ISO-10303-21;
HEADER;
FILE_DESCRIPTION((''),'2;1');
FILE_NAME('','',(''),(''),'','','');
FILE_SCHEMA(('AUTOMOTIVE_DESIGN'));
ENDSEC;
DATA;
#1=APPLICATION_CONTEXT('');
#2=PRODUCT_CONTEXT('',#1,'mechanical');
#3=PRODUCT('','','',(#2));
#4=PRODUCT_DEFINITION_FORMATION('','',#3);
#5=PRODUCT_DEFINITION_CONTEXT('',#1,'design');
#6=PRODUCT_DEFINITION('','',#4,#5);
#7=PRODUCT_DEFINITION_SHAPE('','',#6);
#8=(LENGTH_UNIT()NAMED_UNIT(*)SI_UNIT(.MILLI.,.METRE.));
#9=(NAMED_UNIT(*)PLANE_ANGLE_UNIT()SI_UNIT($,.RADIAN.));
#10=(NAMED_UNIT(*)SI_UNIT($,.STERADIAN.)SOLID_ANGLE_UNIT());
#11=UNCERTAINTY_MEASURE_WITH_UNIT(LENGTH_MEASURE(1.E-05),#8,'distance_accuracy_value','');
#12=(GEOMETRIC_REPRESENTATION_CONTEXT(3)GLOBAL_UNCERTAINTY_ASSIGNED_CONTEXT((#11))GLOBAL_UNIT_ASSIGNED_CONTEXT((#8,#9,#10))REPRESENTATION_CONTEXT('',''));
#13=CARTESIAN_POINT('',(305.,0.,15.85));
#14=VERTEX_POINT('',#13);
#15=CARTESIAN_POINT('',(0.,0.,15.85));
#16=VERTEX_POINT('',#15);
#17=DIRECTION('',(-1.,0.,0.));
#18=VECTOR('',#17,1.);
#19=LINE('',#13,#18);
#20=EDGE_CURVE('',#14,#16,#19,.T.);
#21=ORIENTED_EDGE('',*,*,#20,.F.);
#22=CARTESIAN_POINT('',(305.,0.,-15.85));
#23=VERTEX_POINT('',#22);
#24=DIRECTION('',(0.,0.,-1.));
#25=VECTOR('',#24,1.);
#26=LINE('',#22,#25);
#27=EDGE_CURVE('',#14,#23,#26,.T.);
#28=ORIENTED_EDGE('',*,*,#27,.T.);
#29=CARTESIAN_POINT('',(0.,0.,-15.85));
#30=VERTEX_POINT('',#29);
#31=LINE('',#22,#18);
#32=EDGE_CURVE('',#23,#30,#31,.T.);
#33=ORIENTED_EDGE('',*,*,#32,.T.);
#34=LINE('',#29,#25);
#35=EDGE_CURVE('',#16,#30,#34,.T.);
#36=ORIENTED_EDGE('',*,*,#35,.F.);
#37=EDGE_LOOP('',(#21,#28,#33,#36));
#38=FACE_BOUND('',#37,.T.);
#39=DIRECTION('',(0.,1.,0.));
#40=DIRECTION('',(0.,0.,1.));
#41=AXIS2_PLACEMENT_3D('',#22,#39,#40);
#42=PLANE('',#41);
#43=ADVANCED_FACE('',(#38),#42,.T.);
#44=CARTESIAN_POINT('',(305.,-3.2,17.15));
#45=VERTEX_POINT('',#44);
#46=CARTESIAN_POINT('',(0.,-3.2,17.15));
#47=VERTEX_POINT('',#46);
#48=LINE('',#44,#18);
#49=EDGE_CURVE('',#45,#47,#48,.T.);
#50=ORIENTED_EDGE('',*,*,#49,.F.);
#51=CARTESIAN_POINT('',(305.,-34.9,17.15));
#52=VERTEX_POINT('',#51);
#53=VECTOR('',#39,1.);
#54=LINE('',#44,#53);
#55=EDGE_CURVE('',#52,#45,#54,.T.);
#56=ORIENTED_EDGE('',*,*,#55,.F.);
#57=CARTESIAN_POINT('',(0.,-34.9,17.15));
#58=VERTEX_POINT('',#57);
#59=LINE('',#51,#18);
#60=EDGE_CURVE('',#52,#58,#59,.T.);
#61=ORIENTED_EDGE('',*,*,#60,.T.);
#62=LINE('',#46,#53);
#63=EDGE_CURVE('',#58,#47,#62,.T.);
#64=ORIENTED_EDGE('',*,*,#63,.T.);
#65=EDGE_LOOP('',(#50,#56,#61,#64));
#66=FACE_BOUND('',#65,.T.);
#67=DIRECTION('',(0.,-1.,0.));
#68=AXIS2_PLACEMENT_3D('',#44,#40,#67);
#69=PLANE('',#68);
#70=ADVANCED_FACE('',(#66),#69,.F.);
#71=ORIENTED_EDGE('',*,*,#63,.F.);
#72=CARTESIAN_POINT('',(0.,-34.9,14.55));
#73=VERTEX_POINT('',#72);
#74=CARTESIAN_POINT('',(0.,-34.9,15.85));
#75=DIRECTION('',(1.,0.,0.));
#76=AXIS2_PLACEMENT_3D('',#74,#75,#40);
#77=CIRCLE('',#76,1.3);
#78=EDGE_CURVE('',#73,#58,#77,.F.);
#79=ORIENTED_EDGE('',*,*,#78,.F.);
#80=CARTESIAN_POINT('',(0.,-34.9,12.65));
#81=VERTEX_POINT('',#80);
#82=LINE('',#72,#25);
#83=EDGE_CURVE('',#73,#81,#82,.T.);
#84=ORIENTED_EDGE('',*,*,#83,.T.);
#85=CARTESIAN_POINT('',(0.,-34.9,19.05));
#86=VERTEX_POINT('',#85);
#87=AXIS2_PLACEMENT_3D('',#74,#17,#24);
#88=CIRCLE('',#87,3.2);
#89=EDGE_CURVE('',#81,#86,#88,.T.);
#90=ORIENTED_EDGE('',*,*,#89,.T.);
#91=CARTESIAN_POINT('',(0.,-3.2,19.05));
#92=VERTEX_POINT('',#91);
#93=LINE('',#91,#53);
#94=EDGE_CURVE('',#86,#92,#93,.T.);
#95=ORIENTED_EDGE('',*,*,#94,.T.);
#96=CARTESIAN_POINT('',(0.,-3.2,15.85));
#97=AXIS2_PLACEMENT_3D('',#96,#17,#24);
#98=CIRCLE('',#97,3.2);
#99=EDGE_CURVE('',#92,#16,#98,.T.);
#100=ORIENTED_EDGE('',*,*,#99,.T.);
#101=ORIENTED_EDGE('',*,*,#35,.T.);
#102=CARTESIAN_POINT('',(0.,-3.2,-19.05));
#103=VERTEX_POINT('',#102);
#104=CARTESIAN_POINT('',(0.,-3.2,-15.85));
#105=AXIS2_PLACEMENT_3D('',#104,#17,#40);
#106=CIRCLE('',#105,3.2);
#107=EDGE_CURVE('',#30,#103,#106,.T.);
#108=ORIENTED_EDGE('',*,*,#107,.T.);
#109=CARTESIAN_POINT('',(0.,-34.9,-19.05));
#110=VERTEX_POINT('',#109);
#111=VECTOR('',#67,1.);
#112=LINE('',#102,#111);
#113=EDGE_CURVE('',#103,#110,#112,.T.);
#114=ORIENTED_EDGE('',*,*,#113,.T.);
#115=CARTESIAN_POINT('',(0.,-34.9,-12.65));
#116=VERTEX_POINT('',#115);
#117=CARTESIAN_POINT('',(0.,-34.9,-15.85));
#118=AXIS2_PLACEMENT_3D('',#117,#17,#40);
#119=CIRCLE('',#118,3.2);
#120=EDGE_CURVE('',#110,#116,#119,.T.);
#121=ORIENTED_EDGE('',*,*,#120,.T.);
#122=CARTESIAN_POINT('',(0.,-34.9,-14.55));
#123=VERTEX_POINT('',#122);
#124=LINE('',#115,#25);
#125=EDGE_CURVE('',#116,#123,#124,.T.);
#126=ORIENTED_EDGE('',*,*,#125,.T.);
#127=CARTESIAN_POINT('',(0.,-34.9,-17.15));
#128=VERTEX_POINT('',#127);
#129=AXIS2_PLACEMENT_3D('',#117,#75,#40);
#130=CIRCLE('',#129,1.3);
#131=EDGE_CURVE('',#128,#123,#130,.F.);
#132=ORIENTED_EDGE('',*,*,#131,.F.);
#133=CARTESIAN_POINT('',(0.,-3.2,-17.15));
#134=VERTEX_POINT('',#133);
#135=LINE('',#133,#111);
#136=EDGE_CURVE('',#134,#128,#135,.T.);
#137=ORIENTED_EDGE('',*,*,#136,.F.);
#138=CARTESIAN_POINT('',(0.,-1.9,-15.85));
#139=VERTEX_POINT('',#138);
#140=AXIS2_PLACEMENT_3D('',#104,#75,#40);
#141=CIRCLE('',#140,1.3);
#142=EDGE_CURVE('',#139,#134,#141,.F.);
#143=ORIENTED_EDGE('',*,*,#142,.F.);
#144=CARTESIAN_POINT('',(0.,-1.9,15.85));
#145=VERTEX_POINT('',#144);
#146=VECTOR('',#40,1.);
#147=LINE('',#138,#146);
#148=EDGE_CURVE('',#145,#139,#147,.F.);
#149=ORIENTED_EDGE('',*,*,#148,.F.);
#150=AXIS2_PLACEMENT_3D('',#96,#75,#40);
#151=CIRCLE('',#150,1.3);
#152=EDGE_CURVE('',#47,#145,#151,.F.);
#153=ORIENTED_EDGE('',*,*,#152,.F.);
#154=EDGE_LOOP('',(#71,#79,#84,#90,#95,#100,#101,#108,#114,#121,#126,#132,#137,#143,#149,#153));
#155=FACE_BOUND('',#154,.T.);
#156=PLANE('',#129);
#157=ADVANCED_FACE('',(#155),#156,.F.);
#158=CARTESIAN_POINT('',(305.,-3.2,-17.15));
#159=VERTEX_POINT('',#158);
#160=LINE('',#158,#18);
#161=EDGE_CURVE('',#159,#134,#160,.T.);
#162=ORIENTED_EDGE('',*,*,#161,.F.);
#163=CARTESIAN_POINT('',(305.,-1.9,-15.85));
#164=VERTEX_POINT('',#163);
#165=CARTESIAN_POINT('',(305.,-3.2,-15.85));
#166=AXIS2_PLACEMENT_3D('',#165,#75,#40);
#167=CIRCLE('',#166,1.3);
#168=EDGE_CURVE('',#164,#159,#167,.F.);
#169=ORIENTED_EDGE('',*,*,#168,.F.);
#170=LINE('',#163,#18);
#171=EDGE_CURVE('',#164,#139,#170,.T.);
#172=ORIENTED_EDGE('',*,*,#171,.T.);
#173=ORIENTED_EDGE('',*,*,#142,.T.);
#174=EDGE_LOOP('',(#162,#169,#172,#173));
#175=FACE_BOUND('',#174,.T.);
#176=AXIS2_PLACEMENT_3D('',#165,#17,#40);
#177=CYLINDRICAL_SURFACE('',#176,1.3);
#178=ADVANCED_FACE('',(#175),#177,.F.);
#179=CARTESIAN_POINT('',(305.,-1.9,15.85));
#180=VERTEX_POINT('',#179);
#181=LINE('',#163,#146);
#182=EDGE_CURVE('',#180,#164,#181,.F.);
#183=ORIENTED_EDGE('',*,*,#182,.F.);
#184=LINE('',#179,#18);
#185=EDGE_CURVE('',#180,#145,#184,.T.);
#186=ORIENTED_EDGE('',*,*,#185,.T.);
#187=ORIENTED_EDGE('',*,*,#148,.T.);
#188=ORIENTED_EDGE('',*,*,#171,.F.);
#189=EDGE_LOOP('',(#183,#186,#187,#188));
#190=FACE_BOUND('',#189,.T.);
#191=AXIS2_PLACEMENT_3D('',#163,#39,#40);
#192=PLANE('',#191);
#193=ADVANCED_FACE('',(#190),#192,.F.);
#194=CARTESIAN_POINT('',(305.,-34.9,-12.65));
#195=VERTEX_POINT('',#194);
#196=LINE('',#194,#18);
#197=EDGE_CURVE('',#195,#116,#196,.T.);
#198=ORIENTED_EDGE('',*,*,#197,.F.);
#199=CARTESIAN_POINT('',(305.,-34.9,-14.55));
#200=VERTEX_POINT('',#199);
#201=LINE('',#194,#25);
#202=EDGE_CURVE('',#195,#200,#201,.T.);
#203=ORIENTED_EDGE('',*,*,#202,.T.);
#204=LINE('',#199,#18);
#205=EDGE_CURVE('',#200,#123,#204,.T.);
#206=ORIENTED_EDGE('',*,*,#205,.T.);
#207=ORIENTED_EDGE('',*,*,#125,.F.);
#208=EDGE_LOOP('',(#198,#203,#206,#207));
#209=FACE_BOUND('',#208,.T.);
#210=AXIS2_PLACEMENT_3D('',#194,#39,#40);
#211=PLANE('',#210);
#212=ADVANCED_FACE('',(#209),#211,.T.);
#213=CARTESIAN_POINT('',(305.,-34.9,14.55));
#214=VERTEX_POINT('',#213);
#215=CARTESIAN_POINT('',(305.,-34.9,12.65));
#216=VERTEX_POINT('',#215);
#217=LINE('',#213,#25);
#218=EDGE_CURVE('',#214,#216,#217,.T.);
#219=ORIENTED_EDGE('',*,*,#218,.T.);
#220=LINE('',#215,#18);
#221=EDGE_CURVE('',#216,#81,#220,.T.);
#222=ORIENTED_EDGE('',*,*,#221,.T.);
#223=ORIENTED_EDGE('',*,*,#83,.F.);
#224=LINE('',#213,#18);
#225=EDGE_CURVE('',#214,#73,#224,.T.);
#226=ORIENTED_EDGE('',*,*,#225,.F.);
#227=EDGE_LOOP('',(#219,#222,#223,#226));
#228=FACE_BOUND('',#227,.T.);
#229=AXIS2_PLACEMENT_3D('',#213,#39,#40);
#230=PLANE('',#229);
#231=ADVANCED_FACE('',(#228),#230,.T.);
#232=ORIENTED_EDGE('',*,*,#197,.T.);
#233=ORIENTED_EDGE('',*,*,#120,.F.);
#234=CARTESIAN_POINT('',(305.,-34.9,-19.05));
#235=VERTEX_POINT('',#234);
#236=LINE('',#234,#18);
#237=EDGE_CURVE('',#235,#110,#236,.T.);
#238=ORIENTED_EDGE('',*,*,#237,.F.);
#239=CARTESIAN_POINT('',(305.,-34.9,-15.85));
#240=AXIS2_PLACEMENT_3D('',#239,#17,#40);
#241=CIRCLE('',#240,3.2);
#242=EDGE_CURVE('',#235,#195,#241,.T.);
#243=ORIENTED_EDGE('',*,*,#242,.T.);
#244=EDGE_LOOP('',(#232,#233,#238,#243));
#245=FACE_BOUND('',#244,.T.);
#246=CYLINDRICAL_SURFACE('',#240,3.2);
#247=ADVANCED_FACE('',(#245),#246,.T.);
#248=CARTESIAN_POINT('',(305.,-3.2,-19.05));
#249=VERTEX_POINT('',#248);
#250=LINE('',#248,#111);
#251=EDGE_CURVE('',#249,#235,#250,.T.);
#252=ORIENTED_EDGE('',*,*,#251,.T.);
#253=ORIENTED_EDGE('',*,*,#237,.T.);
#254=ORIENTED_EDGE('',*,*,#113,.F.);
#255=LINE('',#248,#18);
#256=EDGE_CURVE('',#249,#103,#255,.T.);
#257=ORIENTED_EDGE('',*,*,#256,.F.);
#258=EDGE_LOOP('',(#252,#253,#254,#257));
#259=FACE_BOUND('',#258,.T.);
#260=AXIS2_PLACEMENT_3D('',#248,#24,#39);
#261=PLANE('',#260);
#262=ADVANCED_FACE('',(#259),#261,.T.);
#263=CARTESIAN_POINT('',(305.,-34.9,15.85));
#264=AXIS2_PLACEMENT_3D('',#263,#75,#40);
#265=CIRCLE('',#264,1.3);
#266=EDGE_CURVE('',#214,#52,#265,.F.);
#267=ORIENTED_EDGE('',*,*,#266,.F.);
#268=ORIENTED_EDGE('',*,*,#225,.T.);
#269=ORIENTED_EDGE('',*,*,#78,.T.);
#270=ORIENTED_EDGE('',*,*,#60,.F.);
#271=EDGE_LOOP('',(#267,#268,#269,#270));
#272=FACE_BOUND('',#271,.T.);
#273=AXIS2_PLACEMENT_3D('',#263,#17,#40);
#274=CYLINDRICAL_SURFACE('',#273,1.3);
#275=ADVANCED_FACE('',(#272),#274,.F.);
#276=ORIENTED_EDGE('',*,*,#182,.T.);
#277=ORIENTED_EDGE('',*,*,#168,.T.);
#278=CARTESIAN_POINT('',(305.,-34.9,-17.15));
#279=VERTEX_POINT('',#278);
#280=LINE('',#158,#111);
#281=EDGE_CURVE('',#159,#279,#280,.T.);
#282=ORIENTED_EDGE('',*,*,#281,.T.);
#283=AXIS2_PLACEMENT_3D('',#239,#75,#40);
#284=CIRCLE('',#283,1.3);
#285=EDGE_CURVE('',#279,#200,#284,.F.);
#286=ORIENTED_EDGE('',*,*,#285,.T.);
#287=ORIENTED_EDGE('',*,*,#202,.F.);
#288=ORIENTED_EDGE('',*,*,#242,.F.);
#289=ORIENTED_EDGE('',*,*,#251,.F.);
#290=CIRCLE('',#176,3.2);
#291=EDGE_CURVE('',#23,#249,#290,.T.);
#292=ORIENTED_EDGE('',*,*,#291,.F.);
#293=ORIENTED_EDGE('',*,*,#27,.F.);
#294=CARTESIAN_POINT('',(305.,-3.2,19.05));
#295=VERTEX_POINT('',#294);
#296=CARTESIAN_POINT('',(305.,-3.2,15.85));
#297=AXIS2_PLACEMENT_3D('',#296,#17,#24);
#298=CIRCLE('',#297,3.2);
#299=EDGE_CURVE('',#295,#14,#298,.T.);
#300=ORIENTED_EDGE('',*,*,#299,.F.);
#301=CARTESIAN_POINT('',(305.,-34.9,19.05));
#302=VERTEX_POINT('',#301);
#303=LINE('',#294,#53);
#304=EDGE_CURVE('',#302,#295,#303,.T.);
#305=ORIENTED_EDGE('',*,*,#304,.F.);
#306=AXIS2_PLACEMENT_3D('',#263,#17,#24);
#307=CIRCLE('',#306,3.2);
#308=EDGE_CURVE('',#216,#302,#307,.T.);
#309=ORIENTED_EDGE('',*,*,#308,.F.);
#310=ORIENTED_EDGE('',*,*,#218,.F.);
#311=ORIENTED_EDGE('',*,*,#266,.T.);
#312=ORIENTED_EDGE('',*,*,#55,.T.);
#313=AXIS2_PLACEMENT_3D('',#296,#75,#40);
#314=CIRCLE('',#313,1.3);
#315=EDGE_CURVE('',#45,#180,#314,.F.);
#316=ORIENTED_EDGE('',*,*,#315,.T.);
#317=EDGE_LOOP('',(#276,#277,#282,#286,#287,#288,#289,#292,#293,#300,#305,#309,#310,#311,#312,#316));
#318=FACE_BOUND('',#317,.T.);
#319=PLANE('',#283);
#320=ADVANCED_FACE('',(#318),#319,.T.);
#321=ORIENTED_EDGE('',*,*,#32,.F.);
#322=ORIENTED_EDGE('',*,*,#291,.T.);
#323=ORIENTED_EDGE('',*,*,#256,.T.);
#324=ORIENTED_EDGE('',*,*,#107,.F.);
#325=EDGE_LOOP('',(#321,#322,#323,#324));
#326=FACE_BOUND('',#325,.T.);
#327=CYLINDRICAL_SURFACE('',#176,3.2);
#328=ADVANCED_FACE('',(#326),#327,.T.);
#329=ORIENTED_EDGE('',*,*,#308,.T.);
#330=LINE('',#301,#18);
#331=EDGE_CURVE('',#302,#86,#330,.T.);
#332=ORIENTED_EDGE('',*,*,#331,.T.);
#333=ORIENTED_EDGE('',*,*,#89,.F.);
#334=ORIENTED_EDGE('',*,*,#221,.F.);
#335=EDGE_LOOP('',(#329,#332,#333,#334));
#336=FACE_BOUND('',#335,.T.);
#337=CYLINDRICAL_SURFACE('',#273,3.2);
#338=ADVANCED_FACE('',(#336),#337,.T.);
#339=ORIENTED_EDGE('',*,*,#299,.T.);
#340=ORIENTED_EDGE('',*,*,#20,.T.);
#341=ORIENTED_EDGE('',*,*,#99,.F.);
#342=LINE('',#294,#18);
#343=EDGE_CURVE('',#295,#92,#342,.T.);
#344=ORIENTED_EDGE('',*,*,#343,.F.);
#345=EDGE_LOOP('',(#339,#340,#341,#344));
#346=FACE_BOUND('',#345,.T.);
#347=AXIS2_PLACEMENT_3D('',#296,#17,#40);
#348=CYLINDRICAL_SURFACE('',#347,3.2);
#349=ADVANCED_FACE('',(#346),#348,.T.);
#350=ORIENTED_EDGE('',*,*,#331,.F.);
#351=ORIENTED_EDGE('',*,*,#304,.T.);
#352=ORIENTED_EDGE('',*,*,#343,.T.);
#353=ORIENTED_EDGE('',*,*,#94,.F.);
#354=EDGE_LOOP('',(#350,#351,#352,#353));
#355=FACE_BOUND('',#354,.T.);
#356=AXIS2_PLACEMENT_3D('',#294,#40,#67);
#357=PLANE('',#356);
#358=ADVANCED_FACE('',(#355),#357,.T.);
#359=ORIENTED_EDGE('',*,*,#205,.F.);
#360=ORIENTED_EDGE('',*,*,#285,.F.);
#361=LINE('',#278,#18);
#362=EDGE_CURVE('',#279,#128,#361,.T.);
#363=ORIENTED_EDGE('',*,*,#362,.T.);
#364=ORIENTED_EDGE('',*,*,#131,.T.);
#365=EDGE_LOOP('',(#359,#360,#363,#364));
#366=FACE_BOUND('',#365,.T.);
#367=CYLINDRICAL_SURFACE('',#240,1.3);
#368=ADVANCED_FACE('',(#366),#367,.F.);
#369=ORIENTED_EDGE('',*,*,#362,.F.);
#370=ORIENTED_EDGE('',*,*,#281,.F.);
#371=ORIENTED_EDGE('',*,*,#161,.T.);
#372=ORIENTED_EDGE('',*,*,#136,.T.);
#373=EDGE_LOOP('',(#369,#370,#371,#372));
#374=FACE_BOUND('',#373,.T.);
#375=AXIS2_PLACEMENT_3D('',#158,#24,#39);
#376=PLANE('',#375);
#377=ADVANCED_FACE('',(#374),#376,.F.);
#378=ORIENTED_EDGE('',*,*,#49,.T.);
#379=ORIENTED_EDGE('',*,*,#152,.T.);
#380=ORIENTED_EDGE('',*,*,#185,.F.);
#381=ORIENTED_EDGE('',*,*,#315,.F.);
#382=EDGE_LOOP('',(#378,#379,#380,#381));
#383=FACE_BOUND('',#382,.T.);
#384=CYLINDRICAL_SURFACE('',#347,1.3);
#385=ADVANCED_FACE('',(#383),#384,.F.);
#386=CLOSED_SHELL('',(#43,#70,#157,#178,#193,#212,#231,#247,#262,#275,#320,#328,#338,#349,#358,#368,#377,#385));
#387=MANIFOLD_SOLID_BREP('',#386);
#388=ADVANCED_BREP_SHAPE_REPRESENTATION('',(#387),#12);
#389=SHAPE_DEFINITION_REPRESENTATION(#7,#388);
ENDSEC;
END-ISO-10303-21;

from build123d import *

# Parameters (mm, degrees)
CHANNEL_DEPTH = 305


with BuildPart() as part:
    # Sketch1 → Channel (new body)
    with BuildSketch(Plane(origin=(0, 39.243400922, 0), x_dir=(0, 0, 1), z_dir=(1, 0, 0))):
        with BuildLine():
            ThreePointArc((-12.65, 74.143400922), (-15.85, 77.343400922), (-19.05, 74.143400922))
            Line((-19.05, 74.143400922), (-19.05, 42.443400922))
            ThreePointArc((-19.05, 42.443400922), (-18.1127417, 40.180659222), (-15.85, 39.243400922))
            Line((-15.85, 39.243400922), (15.85, 39.243400922))
            ThreePointArc((15.85, 39.243400922), (18.1127417, 40.180659222), (19.05, 42.443400922))
            Line((19.05, 42.443400922), (19.05, 74.143400922))
            ThreePointArc((19.05, 74.143400922), (15.85, 77.343400922), (12.65, 74.143400922))
            Line((12.65, 74.143400922), (14.55, 74.143400922))
            ThreePointArc((14.55, 74.143400922), (15.85, 75.443400922), (17.15, 74.143400922))
            Line((17.15, 74.143400922), (17.15, 42.443400922))
            ThreePointArc((17.15, 42.443400922), (16.769238816, 41.524162106), (15.85, 41.143400922))
            Line((15.85, 41.143400922), (-15.85, 41.143400922))
            ThreePointArc((-15.85, 41.143400922), (-16.769238816, 41.524162106), (-17.15, 42.443400922))
            Line((-17.15, 42.443400922), (-17.15, 74.143400922))
            ThreePointArc((-17.15, 74.143400922), (-15.85, 75.443400922), (-14.55, 74.143400922))
            Line((-14.55, 74.143400922), (-12.65, 74.143400922))
        make_face()
    extrude(amount=CHANNEL_DEPTH)


solid = part.part
